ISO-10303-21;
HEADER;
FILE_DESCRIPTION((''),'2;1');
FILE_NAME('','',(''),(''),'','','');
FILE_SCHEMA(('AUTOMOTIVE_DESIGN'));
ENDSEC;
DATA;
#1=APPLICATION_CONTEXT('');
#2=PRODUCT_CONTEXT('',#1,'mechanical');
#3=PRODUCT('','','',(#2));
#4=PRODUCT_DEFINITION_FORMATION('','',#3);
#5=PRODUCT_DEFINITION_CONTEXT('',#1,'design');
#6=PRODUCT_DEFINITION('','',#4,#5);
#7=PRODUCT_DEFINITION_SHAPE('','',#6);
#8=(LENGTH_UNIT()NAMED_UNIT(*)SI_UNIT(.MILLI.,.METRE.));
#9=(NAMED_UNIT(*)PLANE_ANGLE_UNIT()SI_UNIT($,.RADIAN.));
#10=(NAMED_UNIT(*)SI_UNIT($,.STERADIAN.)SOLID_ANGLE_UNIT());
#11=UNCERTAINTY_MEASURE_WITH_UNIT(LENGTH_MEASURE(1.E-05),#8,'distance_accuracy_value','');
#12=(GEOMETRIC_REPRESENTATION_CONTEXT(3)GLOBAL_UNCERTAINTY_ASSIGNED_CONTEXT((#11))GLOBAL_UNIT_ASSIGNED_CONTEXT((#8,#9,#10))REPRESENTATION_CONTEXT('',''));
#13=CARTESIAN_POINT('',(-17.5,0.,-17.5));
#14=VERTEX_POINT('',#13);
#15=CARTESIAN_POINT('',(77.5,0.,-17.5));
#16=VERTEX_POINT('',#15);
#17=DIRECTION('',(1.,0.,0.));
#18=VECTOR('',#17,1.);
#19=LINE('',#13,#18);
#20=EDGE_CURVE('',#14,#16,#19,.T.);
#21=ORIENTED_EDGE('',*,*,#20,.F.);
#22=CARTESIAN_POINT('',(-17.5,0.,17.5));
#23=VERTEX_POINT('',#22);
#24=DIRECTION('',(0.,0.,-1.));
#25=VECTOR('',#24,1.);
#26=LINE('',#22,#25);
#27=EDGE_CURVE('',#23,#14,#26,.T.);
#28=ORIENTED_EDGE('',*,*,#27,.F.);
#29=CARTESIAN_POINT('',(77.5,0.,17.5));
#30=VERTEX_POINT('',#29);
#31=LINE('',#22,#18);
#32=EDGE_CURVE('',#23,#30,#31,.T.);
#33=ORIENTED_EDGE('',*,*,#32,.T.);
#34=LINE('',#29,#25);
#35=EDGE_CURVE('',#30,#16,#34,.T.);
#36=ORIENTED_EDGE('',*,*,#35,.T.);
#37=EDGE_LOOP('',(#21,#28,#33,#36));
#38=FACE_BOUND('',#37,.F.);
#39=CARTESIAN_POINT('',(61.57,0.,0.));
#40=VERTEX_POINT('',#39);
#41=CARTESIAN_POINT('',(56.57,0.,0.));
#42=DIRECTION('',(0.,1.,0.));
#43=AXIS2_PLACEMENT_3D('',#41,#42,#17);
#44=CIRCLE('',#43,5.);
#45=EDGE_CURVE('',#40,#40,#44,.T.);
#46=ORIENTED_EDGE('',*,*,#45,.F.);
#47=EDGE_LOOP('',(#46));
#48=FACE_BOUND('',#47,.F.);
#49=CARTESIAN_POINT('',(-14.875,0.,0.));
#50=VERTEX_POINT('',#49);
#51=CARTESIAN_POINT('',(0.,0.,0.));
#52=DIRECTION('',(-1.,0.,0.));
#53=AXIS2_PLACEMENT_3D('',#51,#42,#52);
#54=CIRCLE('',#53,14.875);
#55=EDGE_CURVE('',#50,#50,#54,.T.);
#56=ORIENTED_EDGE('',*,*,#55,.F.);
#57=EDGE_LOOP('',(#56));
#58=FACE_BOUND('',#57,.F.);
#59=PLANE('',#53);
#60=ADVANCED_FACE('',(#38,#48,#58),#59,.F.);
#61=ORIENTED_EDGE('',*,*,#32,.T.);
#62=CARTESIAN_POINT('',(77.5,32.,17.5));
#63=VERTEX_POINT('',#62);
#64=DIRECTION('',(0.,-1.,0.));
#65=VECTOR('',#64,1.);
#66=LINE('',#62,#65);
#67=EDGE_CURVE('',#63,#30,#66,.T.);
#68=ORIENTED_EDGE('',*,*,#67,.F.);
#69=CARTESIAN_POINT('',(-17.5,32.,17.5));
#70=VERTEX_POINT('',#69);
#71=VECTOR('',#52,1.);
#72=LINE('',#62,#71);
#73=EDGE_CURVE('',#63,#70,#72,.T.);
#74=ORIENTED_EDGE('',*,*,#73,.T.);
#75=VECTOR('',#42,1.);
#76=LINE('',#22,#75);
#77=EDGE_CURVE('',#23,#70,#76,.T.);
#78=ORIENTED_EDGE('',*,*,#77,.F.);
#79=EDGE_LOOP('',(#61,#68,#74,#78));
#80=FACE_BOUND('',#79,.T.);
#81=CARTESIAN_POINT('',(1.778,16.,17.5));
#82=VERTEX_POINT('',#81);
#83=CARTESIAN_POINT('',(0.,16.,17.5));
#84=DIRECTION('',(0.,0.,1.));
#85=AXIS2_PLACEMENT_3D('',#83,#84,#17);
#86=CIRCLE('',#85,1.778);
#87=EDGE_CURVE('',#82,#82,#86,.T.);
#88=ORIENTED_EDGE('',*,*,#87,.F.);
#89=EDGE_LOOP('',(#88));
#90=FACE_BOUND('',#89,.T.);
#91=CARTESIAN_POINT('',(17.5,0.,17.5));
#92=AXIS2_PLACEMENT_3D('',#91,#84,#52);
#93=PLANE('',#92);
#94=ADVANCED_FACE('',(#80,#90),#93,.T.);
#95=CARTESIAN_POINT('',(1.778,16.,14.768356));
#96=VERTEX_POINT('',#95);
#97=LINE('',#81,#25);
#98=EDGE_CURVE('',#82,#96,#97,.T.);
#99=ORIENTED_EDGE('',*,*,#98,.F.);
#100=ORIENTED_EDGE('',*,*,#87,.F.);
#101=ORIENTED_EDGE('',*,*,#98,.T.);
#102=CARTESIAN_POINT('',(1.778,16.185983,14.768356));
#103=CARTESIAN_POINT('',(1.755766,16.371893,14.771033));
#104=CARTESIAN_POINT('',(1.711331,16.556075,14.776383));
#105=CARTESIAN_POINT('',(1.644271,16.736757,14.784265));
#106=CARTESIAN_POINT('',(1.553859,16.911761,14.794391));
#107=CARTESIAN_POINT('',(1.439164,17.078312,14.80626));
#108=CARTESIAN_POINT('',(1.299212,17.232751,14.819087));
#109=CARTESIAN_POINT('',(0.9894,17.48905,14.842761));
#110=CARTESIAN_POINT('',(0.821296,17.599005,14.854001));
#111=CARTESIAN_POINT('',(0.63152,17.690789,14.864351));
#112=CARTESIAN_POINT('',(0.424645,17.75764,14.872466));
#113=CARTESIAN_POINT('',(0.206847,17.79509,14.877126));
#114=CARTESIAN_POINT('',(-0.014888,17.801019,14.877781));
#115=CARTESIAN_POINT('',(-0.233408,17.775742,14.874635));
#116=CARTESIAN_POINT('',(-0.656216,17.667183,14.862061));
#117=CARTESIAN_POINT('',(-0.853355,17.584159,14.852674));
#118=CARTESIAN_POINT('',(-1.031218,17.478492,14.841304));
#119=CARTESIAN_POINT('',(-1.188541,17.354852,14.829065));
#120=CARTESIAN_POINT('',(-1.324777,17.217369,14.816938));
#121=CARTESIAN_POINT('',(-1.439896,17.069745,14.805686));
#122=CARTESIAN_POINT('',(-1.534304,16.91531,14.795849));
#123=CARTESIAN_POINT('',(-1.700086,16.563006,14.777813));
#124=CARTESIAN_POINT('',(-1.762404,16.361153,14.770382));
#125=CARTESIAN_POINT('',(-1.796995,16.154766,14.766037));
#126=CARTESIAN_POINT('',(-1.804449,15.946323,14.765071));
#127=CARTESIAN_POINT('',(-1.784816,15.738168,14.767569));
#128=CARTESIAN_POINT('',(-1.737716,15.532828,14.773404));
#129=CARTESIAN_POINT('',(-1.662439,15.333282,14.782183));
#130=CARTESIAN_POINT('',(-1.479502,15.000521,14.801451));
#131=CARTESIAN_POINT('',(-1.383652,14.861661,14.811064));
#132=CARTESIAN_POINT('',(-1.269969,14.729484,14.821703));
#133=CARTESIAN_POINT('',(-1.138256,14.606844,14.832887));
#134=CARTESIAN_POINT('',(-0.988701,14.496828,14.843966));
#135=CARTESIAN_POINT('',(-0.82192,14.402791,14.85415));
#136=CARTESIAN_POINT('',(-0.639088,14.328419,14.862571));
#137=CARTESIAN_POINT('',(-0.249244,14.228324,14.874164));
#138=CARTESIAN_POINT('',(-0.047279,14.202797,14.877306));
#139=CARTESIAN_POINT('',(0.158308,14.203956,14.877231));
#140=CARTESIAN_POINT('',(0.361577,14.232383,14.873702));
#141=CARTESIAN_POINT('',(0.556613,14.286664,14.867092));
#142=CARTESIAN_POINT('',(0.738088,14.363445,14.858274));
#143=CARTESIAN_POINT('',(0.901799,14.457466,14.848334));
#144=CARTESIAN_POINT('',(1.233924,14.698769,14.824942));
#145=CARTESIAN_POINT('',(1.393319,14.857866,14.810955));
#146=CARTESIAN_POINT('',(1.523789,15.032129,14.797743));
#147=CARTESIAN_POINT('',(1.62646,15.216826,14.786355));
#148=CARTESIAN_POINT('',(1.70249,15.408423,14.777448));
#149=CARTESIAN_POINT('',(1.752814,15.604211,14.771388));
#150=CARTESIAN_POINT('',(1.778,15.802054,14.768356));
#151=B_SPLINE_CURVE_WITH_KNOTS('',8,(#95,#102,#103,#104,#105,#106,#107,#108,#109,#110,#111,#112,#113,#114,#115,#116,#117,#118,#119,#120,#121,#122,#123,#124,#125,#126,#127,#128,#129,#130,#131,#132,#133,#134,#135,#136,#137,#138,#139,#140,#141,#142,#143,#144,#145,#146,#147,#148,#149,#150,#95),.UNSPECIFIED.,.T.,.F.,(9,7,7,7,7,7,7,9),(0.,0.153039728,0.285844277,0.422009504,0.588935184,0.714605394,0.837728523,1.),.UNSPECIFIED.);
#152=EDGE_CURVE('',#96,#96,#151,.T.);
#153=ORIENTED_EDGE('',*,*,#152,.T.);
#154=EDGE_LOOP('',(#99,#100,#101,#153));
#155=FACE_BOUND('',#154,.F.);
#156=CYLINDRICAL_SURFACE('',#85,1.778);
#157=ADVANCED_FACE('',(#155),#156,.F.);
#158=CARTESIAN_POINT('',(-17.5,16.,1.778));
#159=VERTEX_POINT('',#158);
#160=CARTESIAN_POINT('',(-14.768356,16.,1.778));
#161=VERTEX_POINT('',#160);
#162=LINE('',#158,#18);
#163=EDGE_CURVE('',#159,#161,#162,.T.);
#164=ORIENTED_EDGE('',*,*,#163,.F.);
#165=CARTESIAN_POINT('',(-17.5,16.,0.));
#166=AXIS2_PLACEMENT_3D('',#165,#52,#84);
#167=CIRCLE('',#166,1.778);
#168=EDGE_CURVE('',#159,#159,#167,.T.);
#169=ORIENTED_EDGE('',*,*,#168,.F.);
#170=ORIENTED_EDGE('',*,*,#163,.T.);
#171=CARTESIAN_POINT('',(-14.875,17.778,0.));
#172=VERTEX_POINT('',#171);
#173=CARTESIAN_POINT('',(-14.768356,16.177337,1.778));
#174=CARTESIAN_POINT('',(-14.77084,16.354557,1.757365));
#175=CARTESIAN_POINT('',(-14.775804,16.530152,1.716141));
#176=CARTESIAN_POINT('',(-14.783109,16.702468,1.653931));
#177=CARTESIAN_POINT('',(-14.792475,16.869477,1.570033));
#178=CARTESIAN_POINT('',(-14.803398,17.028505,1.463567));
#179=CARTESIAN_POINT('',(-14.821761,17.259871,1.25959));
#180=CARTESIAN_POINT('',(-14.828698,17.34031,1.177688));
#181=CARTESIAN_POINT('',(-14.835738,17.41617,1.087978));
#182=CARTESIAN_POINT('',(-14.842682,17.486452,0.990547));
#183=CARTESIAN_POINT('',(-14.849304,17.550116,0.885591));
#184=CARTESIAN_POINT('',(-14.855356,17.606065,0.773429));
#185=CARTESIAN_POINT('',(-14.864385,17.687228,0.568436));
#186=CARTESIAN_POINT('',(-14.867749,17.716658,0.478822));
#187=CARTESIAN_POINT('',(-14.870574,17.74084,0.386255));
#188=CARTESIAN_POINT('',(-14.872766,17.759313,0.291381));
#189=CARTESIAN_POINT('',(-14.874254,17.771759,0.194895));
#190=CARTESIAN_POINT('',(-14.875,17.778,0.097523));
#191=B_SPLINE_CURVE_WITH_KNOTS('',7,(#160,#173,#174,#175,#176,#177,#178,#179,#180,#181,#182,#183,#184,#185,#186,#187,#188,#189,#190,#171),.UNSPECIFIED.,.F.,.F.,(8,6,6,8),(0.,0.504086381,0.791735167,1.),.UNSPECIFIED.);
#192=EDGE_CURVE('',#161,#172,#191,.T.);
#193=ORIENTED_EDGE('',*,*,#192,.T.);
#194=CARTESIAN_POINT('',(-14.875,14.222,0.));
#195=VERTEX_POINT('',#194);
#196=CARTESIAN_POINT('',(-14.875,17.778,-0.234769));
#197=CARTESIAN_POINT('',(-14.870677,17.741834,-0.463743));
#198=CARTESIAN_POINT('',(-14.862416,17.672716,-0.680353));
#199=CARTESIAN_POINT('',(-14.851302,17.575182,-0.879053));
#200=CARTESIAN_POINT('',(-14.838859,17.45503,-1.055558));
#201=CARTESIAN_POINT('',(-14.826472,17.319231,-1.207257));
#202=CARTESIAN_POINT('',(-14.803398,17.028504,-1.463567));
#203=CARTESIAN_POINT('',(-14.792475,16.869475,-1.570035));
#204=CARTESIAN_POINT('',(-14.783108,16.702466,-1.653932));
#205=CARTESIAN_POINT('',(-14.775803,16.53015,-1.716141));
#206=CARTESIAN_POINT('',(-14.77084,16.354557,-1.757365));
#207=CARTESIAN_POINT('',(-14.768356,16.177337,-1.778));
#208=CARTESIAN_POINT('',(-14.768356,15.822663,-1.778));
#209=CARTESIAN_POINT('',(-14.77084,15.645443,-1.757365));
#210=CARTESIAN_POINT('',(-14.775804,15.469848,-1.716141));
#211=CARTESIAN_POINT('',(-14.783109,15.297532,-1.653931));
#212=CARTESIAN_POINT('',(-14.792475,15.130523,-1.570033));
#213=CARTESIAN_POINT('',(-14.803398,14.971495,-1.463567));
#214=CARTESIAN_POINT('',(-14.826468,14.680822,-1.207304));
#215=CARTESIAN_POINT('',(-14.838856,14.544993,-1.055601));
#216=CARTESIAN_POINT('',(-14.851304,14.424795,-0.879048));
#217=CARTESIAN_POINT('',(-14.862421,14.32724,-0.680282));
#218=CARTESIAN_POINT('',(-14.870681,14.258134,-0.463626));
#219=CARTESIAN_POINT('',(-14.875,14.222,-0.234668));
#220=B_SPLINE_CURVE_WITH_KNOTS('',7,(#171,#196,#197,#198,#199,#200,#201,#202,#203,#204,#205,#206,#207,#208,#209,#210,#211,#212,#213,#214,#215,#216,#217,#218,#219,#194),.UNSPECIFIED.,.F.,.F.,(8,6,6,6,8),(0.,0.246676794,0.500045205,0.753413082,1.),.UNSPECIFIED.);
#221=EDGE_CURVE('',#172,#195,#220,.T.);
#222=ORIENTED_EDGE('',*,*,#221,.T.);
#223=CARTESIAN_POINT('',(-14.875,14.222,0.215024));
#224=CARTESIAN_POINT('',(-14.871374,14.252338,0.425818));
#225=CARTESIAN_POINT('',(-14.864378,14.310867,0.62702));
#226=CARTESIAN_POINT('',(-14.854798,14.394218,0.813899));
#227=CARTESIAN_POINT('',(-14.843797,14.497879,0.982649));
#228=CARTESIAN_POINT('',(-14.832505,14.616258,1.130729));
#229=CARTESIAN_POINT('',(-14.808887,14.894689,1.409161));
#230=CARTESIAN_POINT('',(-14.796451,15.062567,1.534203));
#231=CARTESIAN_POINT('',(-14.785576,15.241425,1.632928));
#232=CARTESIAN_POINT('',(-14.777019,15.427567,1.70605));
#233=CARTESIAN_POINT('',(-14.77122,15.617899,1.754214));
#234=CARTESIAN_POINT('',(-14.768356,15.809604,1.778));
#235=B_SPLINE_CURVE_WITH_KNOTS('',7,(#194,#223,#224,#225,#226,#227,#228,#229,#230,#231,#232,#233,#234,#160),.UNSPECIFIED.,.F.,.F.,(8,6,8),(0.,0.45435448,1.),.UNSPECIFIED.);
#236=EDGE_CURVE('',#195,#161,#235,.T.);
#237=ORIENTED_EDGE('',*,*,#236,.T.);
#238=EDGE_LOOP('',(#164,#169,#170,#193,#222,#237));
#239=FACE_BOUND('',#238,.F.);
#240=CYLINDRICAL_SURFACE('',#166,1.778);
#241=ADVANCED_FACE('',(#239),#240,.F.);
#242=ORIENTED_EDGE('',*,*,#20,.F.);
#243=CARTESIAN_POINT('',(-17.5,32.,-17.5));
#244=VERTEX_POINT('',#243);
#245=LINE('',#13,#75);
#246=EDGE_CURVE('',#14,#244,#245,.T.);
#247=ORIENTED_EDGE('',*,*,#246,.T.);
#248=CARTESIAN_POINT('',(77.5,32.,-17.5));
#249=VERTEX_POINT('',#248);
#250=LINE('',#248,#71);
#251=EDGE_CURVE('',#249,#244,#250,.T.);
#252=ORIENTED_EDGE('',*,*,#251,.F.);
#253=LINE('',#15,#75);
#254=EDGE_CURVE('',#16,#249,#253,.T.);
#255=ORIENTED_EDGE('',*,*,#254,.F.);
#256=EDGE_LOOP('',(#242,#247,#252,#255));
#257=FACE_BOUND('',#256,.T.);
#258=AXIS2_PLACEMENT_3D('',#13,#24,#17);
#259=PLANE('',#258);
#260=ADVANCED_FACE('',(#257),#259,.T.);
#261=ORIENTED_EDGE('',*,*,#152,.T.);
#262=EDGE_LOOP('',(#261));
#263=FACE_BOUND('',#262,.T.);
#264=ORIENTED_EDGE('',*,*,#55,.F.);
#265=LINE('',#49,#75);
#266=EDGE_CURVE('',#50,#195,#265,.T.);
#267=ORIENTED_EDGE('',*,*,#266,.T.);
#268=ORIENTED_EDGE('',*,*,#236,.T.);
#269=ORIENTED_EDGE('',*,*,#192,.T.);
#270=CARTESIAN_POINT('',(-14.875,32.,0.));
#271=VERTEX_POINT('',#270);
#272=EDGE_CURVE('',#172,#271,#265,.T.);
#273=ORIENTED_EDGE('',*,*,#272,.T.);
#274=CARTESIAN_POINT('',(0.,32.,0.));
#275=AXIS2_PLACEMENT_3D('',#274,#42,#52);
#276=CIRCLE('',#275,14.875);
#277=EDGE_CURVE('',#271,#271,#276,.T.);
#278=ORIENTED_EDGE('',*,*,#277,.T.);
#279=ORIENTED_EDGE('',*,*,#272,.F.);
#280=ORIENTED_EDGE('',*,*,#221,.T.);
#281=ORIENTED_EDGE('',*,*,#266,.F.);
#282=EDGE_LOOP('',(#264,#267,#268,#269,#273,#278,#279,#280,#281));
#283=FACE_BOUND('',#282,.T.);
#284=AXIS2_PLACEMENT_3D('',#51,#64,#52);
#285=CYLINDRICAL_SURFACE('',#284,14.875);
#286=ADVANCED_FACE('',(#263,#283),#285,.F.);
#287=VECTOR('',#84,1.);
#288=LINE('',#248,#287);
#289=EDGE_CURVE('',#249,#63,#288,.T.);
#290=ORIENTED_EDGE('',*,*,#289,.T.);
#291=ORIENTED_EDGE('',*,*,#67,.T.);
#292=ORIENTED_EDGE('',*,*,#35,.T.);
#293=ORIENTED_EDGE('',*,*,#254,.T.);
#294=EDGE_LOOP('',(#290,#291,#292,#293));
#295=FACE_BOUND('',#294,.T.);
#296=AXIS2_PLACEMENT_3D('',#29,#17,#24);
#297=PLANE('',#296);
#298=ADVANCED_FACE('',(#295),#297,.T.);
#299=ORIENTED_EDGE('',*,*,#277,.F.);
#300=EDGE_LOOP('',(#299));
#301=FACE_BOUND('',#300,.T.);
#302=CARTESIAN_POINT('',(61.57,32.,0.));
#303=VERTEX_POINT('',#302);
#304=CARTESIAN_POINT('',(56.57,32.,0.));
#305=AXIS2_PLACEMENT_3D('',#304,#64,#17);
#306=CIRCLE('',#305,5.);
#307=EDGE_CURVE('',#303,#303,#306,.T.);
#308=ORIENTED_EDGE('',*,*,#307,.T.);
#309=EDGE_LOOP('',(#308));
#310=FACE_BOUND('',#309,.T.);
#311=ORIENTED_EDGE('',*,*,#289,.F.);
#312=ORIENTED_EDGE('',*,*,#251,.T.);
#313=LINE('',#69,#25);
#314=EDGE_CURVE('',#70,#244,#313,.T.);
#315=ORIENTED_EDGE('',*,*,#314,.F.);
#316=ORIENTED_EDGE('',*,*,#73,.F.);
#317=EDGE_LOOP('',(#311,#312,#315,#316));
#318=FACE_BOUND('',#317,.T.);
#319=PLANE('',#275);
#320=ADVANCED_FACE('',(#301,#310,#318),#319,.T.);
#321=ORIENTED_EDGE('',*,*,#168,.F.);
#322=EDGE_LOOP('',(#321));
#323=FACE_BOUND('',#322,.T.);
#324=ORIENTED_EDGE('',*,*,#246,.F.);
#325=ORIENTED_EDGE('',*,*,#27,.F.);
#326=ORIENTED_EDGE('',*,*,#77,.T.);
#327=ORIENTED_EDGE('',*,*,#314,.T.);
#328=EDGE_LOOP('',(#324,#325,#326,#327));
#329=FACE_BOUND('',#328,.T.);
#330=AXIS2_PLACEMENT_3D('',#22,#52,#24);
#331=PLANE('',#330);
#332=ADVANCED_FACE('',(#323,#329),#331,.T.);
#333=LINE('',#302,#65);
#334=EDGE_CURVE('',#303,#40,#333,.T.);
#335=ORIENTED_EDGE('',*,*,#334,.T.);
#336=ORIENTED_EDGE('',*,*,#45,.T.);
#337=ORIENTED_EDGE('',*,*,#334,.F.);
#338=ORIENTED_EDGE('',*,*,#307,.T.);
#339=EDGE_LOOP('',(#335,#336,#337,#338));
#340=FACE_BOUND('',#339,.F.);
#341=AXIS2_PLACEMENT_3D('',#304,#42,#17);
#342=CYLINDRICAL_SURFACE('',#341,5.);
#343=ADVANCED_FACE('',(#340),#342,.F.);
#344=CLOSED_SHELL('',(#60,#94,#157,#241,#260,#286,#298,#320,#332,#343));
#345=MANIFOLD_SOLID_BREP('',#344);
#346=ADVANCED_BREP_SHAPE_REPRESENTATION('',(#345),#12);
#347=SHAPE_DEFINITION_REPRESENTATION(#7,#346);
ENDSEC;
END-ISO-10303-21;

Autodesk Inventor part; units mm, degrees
ref_plane "YZ Plane" through (0, 0, 0) normal (1, 0, 0) x (0, 1, 0)
ref_plane "XZ Plane" through (0, 0, 0) normal (0, 1, 0) x (-1, 0, 0)
ref_plane "XY Plane" through (0, 0, 0) normal (0, 0, 1) x (1, 0, 0)
sketch "Sketch1" plane through (0, 0, 0) normal (0, 1, 0) x (-1, 0, 0)
  circle A0 centre (0, 0) radius 14.875
  line L0 (-17.5, 17.5) -> (17.5, 17.5)
  line L1 (17.5, 17.5) -> (17.5, -17.5)
  line L2 (17.5, -17.5) -> (-17.5, -17.5)
  line L3 (-17.5, -17.5) -> (-17.5, 17.5)
  line L4 (-17.5, 17.5) -> (17.5, -17.5) construction
  line L5 (17.5, 17.5) -> (-17.5, -17.5) construction
  dimension "d0" = 29.75
  dimension "d1" = 35
  dimension "d2" = 35
extrude "Extrusion1" add sketch "Sketch1" along normal blind 32
sketch "Sketch2" plane through (17.5, 0, 17.5) normal (1, 0, 0) x (0, 0, -1)
  line L0 (0, 0) -> (35, 0)
  line L1 (35, 0) -> (35, 32)
  line L2 (35, 32) -> (0, 32)
  line L3 (0, 32) -> (0, 0)
  point P0 (17.5, 0)
sketch "Sketch3" plane through (0, 32, 0) normal (0, 1, 0) x (1, 0, 0)
  line L0 (17.5, -17.5) -> (17.5, 17.5) projected
  line L1 (17.5, 0) -> (56.57, 0)
  circle A0 centre (56.57, 0) radius 5
  point P0 (0, 0)
  dimension "d5" = 56.57
  dimension "d9" = 10
extrude "Extrusion2" add sketch "Sketch2" along normal blind 60
extrude "Extrusion3" cut sketch "Sketch3" against normal through all
sketch "Sketch5" plane through (-17.5, 0, 17.5) normal (0, 0, 1) x (1, 0, 0)
  circle A0 centre (17.5, 16) radius 1.778
  point P0 (17.5, 0)
  dimension "d15" = 3.556
extrude "Extrusion5" cut sketch "Sketch5" against normal blind 10
sketch "Sketch6" plane through (-17.5, 0, -17.5) normal (-1, 0, 0) x (0, 0, 1)
  circle A0 centre (17.5, 16) radius 1.778
  point P0 (17.5, 0)
  dimension "d18" = 3.556
extrude "Extrusion6" cut sketch "Sketch6" against normal blind 3.556
equation "\"d19\" = d18"
properties part number "MotorBarConnect"
